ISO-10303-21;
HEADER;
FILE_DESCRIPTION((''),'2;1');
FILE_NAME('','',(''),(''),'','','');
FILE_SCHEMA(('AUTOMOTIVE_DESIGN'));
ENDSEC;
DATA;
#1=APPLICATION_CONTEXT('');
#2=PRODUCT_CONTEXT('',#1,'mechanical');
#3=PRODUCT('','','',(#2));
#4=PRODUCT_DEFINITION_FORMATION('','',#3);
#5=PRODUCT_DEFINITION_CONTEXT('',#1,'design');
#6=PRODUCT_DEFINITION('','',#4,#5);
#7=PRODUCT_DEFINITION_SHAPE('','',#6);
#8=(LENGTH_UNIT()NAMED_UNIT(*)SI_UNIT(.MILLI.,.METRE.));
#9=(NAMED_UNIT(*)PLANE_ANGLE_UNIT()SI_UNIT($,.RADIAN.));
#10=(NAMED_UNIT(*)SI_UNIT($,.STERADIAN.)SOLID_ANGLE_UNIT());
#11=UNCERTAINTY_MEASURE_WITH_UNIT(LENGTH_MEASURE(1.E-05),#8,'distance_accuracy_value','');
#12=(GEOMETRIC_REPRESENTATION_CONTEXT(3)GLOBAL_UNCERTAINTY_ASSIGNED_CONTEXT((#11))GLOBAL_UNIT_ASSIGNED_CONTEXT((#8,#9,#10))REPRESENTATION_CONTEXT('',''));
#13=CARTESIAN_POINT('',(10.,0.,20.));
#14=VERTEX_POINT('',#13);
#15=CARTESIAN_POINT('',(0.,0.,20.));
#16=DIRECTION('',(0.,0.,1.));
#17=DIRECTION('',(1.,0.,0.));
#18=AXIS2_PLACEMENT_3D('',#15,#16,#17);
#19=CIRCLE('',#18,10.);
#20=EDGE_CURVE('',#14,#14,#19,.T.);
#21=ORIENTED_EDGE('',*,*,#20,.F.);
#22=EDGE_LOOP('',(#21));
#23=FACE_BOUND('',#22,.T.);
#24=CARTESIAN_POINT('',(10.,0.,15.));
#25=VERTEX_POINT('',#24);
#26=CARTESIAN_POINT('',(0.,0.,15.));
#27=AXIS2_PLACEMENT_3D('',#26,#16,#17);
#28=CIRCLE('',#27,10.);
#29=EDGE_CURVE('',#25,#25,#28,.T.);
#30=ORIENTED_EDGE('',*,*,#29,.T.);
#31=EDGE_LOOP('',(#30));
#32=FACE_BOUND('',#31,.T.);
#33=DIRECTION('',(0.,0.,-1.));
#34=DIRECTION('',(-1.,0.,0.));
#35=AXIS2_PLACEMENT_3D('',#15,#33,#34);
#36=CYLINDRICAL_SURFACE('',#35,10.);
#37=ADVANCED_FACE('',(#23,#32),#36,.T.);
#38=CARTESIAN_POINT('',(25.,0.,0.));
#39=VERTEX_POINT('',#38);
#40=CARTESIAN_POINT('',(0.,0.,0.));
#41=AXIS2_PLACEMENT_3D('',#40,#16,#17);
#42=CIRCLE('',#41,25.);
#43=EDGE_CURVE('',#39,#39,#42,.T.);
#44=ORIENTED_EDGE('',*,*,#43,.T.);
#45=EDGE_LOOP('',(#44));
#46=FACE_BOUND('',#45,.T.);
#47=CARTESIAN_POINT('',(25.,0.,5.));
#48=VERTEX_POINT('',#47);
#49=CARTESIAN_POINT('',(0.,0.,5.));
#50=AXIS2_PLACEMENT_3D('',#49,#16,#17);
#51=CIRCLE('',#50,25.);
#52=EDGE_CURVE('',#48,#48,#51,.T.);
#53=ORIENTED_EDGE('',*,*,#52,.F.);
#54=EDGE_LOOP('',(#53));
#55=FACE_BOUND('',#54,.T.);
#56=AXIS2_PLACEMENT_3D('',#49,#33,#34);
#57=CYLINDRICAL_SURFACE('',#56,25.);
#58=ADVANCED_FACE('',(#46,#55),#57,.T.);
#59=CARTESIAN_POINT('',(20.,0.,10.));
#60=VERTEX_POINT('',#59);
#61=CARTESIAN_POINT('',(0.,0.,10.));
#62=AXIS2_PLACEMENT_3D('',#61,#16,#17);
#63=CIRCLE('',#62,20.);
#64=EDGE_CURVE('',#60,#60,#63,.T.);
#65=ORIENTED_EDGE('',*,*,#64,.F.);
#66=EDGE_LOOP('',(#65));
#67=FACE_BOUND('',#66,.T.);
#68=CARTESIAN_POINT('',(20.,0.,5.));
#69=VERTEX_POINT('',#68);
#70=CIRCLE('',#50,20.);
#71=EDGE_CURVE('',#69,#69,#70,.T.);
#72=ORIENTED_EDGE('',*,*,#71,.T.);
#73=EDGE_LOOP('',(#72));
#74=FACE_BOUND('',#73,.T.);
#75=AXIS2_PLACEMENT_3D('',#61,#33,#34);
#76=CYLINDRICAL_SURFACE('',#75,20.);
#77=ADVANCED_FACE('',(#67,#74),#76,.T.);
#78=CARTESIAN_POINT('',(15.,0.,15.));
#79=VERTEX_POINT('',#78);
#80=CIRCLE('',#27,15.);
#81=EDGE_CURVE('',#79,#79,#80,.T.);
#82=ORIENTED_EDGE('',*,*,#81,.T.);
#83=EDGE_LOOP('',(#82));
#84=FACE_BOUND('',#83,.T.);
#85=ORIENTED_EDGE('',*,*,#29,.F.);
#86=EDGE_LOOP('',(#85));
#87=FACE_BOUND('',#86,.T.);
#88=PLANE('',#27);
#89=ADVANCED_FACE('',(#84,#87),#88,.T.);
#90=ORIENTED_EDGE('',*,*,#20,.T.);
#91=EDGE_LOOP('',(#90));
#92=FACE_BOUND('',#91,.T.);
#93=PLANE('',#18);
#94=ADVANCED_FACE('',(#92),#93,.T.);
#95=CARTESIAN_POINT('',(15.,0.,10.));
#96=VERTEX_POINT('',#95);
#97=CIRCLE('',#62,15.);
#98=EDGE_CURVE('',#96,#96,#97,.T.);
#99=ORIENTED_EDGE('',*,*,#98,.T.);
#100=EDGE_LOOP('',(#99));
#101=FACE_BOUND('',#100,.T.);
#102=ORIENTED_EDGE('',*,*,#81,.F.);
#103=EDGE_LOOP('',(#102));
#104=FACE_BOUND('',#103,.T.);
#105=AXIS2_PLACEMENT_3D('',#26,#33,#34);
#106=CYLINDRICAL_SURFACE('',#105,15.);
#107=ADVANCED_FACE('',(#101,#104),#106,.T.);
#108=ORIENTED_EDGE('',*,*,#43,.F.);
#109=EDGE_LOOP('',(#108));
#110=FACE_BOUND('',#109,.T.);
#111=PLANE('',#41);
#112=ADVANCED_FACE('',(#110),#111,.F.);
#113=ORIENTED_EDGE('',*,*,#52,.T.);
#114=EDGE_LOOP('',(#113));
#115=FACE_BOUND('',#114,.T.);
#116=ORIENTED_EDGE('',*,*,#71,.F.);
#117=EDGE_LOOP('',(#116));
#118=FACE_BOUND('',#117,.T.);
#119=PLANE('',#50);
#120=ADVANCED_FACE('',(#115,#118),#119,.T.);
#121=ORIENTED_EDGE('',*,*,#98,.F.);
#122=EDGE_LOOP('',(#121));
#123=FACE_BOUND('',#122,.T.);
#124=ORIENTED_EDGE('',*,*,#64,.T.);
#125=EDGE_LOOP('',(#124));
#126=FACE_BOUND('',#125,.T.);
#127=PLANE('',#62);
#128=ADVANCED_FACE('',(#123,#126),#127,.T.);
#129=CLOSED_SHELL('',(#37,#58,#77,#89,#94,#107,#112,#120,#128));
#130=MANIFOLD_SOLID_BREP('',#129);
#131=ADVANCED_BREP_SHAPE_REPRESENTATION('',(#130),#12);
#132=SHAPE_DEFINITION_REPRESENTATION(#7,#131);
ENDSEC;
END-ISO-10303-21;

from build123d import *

# Parameters (mm, degrees)
SKETCH_1_R      = 25
EXTRUDE_1_DEPTH = 5
SKETCH_2_R      = 20
EXTRUDE_2_DEPTH = 5
SKETCH_3_R      = 15
EXTRUDE_3_DEPTH = 5
SKETCH_4_R      = 10
EXTRUDE_4_DEPTH = 5


with BuildPart() as part:
    # Эскиз1 → Бобышка-Вытянуть1 (new body)
    with BuildSketch(Plane.XY):
        Circle(SKETCH_1_R)
    extrude(amount=EXTRUDE_1_DEPTH)

    # Эскиз2 → Бобышка-Вытянуть2 (add)
    with BuildSketch(Plane.XY.offset(5)):
        Circle(SKETCH_2_R)
    extrude(amount=EXTRUDE_2_DEPTH)

    # Эскиз3 → Бобышка-Вытянуть3 (add)
    with BuildSketch(Plane.XY.offset(10)):
        Circle(SKETCH_3_R)
    extrude(amount=EXTRUDE_3_DEPTH)

    # Эскиз4 → Бобышка-Вытянуть4 (add)
    with BuildSketch(Plane.XY.offset(15)):
        Circle(SKETCH_4_R)
    extrude(amount=EXTRUDE_4_DEPTH)


solid = part.part
